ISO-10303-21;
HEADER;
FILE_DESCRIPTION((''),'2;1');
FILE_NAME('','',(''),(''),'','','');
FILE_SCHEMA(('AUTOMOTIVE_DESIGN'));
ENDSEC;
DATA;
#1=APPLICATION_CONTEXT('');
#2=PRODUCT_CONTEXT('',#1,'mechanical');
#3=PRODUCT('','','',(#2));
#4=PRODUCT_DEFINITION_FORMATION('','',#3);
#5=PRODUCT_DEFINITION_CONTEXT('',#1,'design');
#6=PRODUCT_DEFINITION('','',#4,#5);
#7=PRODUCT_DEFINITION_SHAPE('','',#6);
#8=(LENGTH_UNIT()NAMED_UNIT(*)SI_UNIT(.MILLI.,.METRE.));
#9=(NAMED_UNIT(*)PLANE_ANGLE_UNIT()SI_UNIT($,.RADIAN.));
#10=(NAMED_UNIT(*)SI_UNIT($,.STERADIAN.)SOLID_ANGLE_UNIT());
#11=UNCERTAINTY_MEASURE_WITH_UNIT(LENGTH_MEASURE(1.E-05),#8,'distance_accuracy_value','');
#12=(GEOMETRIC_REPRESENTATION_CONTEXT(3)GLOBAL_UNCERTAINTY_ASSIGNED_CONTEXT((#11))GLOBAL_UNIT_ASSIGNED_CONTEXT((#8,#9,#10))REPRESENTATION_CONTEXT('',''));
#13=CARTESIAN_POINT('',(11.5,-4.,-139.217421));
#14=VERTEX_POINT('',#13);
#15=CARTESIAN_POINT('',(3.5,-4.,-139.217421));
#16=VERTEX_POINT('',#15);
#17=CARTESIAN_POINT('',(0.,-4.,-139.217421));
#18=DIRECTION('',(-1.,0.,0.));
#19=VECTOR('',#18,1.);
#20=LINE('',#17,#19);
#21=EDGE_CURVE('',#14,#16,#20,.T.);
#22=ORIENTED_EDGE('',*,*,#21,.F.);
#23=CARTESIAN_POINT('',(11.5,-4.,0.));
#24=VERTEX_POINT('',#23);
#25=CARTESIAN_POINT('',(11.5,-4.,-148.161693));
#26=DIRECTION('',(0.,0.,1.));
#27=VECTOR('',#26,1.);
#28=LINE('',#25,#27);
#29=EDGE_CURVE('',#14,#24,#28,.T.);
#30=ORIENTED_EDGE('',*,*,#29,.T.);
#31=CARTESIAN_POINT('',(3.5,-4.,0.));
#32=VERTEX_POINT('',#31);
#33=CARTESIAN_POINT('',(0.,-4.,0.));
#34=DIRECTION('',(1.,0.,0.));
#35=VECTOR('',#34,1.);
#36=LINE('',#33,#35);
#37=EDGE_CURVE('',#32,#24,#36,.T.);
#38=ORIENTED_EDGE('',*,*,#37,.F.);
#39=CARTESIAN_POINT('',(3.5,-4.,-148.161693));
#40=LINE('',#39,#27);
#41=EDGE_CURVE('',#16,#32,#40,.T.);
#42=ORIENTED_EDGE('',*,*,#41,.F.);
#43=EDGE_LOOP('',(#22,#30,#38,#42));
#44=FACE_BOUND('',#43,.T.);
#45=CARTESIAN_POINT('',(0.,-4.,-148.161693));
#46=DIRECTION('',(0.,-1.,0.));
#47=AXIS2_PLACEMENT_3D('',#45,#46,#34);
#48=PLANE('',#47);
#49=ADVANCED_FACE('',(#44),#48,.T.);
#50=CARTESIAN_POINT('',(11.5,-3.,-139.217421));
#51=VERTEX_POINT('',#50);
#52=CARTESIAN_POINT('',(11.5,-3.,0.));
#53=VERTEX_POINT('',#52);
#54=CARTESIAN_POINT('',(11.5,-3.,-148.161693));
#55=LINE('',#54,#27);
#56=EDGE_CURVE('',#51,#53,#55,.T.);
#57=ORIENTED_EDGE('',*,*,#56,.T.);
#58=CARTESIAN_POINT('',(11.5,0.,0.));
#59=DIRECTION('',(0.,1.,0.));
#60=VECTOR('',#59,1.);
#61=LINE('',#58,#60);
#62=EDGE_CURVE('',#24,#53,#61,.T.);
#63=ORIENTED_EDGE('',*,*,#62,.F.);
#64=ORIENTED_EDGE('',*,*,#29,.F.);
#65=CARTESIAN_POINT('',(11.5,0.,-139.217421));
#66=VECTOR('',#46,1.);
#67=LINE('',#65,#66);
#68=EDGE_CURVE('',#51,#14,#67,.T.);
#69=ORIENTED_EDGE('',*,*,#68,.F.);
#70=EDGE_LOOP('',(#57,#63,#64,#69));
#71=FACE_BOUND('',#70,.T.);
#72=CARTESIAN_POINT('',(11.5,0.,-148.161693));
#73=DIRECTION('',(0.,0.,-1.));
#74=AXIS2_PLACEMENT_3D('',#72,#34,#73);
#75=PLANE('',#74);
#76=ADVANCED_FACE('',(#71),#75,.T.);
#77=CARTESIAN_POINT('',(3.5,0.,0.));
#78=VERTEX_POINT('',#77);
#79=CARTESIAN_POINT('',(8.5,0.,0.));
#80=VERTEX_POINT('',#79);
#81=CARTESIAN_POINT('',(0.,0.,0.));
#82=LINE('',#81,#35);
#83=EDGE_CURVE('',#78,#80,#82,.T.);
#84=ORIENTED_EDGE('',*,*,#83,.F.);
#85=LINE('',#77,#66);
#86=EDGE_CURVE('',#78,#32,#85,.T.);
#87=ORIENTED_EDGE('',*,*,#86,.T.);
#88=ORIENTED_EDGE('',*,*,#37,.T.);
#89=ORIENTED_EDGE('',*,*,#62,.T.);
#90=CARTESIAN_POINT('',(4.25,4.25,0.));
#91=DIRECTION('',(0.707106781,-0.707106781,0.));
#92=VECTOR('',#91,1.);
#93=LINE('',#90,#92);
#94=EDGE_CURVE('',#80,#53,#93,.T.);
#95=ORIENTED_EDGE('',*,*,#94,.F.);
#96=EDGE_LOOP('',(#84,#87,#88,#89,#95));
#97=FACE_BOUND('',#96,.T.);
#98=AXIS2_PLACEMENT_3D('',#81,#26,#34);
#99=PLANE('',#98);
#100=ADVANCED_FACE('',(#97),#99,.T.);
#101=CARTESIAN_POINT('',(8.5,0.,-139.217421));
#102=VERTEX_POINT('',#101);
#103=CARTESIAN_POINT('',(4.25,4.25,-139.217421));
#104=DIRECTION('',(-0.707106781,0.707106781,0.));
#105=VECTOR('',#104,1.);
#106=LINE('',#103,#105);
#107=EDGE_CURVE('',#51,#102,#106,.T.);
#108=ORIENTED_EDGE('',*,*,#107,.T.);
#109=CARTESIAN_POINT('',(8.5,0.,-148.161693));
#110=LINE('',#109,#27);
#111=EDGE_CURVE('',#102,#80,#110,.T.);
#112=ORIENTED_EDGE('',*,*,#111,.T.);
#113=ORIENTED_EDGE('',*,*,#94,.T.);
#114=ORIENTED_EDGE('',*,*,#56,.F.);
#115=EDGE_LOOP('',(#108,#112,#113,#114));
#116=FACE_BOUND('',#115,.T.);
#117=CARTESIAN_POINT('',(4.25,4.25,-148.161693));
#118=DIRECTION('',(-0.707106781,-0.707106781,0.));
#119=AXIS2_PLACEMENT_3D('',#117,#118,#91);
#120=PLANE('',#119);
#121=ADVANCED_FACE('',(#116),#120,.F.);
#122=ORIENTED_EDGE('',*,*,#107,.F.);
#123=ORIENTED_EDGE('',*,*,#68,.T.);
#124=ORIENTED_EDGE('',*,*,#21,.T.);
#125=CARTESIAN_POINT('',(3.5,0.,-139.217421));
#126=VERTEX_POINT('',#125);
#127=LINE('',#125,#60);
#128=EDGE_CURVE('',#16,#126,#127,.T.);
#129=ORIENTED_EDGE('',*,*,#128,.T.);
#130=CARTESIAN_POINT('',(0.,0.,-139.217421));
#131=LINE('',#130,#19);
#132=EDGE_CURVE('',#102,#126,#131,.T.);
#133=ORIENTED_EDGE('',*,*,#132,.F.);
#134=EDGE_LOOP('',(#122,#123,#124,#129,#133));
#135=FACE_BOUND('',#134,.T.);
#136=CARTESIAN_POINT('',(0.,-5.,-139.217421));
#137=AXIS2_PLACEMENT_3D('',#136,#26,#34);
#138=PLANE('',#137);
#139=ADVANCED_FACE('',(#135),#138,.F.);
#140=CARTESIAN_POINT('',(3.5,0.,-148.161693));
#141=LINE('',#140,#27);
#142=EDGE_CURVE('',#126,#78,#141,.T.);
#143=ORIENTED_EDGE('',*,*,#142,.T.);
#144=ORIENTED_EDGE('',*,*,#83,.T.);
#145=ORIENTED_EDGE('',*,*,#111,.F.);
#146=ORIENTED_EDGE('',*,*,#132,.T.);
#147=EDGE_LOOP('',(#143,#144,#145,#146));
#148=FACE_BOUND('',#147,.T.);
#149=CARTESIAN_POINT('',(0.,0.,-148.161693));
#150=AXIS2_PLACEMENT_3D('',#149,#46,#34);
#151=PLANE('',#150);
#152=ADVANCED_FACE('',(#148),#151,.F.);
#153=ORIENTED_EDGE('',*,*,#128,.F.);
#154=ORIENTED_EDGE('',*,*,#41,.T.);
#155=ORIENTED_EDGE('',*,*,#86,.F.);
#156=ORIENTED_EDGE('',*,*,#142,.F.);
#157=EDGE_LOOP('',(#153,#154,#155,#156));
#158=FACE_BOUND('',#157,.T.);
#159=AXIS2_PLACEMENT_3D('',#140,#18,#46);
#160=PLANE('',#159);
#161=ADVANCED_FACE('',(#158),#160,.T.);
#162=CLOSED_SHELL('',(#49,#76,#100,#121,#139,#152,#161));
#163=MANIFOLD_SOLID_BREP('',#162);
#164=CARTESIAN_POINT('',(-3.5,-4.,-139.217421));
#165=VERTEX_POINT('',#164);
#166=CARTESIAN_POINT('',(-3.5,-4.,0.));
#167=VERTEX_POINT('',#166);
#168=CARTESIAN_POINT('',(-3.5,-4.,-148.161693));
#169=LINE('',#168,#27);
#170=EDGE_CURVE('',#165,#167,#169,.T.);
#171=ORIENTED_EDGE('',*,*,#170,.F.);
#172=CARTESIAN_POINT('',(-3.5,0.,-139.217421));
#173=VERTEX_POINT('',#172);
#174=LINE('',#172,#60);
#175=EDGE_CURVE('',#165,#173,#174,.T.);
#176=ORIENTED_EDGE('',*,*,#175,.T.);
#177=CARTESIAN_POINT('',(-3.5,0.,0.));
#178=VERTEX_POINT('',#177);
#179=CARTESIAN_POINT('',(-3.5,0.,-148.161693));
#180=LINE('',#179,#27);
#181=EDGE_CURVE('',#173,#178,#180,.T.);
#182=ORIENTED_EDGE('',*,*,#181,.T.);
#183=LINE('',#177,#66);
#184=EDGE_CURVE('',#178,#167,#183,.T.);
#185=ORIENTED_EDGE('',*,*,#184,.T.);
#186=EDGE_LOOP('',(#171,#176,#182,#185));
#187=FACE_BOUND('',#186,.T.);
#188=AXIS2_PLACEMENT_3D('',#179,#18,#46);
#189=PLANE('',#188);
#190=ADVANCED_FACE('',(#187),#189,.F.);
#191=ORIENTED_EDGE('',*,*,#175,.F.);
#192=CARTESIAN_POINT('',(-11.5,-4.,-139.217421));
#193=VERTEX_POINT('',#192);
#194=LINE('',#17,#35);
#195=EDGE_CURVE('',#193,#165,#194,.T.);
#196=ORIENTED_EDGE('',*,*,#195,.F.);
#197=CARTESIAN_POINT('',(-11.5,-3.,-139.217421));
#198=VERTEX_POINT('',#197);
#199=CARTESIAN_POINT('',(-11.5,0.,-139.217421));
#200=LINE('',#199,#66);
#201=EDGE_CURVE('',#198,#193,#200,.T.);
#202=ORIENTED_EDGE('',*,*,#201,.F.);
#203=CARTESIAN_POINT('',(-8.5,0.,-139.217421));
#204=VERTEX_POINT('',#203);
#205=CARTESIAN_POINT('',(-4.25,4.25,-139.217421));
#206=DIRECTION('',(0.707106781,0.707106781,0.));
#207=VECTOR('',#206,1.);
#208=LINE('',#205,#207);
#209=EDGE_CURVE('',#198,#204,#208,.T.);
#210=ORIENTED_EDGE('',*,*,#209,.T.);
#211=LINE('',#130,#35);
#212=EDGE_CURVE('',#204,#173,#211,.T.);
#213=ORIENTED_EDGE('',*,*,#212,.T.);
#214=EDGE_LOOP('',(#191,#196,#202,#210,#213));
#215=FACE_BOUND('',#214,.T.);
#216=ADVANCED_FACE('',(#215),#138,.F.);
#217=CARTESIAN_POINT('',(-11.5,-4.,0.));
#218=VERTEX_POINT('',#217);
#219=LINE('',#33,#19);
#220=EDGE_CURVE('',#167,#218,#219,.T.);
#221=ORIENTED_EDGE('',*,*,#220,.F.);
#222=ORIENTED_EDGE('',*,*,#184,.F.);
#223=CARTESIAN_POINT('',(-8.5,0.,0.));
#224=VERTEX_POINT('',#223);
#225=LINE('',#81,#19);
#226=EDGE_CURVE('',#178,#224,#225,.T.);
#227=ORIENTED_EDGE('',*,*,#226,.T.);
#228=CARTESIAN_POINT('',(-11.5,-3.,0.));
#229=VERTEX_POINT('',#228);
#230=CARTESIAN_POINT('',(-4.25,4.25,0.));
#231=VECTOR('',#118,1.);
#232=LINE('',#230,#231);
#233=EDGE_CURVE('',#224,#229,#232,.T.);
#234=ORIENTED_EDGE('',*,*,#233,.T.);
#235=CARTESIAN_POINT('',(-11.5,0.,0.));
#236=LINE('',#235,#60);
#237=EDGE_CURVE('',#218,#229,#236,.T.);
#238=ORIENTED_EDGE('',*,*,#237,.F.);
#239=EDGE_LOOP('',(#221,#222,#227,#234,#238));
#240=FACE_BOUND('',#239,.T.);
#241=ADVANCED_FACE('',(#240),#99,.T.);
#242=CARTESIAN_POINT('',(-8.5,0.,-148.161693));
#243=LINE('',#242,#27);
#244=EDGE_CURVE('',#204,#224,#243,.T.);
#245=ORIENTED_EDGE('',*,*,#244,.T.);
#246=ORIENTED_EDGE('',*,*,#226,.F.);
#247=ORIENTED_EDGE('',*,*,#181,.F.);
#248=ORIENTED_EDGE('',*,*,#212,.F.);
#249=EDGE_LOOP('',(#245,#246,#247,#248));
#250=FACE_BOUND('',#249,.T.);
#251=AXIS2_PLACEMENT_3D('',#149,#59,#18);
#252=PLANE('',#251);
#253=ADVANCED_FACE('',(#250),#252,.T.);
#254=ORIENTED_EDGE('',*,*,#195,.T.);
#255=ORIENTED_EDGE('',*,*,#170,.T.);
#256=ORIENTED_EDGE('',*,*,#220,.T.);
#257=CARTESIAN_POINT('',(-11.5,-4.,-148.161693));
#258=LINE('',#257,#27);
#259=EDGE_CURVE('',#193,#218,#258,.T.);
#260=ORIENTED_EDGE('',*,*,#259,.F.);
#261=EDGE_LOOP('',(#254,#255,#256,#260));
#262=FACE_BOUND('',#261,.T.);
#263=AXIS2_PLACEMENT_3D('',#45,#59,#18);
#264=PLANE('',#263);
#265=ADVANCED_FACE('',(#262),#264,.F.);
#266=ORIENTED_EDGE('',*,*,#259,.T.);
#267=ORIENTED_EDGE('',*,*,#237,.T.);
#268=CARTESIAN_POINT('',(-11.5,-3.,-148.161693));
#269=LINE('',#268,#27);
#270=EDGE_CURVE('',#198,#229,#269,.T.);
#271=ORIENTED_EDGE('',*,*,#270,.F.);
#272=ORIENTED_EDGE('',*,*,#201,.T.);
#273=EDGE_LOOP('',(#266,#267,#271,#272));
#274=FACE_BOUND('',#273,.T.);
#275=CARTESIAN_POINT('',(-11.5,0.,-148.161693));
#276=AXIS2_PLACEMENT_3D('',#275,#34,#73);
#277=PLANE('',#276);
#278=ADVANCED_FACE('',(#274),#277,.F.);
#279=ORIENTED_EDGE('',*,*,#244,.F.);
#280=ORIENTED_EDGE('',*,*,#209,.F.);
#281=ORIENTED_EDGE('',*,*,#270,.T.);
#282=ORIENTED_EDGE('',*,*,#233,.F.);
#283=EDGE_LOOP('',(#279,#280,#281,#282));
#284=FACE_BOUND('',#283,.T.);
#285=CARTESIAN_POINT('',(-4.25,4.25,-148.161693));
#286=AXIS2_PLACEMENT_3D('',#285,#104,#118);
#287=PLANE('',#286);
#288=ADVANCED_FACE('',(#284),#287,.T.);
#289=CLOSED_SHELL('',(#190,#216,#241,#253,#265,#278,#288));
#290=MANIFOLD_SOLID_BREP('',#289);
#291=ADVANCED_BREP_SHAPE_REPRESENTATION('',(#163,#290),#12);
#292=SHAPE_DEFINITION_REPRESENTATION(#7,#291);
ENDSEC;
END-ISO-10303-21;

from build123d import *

# Parameters (mm, degrees)
BOSS_EXTRUDE1_DEPTH   = 139.217420787
BOSS_EXTRUDE1_2_DEPTH = 139.217420787


with BuildPart() as part:
    # Sketch1 → Boss-Extrude1 (new body)
    with BuildSketch(Plane.XY):
        Polygon((-3.5, 0), (-3.5, -4), (-11.5, -4), (-11.5, -3), (-8.5, 0), align=None)
    extrude(amount=-BOSS_EXTRUDE1_DEPTH)


with BuildPart() as body_2:
    # Sketch1 → Boss-Extrude1 2 (new body)
    with BuildSketch(Plane.XY):
        Polygon((11.5, -4), (11.5, -3), (8.5, 0), (3.5, 0), (3.5, -4), align=None)
    extrude(amount=-BOSS_EXTRUDE1_2_DEPTH)


solid = Compound([part.part, body_2.part])
